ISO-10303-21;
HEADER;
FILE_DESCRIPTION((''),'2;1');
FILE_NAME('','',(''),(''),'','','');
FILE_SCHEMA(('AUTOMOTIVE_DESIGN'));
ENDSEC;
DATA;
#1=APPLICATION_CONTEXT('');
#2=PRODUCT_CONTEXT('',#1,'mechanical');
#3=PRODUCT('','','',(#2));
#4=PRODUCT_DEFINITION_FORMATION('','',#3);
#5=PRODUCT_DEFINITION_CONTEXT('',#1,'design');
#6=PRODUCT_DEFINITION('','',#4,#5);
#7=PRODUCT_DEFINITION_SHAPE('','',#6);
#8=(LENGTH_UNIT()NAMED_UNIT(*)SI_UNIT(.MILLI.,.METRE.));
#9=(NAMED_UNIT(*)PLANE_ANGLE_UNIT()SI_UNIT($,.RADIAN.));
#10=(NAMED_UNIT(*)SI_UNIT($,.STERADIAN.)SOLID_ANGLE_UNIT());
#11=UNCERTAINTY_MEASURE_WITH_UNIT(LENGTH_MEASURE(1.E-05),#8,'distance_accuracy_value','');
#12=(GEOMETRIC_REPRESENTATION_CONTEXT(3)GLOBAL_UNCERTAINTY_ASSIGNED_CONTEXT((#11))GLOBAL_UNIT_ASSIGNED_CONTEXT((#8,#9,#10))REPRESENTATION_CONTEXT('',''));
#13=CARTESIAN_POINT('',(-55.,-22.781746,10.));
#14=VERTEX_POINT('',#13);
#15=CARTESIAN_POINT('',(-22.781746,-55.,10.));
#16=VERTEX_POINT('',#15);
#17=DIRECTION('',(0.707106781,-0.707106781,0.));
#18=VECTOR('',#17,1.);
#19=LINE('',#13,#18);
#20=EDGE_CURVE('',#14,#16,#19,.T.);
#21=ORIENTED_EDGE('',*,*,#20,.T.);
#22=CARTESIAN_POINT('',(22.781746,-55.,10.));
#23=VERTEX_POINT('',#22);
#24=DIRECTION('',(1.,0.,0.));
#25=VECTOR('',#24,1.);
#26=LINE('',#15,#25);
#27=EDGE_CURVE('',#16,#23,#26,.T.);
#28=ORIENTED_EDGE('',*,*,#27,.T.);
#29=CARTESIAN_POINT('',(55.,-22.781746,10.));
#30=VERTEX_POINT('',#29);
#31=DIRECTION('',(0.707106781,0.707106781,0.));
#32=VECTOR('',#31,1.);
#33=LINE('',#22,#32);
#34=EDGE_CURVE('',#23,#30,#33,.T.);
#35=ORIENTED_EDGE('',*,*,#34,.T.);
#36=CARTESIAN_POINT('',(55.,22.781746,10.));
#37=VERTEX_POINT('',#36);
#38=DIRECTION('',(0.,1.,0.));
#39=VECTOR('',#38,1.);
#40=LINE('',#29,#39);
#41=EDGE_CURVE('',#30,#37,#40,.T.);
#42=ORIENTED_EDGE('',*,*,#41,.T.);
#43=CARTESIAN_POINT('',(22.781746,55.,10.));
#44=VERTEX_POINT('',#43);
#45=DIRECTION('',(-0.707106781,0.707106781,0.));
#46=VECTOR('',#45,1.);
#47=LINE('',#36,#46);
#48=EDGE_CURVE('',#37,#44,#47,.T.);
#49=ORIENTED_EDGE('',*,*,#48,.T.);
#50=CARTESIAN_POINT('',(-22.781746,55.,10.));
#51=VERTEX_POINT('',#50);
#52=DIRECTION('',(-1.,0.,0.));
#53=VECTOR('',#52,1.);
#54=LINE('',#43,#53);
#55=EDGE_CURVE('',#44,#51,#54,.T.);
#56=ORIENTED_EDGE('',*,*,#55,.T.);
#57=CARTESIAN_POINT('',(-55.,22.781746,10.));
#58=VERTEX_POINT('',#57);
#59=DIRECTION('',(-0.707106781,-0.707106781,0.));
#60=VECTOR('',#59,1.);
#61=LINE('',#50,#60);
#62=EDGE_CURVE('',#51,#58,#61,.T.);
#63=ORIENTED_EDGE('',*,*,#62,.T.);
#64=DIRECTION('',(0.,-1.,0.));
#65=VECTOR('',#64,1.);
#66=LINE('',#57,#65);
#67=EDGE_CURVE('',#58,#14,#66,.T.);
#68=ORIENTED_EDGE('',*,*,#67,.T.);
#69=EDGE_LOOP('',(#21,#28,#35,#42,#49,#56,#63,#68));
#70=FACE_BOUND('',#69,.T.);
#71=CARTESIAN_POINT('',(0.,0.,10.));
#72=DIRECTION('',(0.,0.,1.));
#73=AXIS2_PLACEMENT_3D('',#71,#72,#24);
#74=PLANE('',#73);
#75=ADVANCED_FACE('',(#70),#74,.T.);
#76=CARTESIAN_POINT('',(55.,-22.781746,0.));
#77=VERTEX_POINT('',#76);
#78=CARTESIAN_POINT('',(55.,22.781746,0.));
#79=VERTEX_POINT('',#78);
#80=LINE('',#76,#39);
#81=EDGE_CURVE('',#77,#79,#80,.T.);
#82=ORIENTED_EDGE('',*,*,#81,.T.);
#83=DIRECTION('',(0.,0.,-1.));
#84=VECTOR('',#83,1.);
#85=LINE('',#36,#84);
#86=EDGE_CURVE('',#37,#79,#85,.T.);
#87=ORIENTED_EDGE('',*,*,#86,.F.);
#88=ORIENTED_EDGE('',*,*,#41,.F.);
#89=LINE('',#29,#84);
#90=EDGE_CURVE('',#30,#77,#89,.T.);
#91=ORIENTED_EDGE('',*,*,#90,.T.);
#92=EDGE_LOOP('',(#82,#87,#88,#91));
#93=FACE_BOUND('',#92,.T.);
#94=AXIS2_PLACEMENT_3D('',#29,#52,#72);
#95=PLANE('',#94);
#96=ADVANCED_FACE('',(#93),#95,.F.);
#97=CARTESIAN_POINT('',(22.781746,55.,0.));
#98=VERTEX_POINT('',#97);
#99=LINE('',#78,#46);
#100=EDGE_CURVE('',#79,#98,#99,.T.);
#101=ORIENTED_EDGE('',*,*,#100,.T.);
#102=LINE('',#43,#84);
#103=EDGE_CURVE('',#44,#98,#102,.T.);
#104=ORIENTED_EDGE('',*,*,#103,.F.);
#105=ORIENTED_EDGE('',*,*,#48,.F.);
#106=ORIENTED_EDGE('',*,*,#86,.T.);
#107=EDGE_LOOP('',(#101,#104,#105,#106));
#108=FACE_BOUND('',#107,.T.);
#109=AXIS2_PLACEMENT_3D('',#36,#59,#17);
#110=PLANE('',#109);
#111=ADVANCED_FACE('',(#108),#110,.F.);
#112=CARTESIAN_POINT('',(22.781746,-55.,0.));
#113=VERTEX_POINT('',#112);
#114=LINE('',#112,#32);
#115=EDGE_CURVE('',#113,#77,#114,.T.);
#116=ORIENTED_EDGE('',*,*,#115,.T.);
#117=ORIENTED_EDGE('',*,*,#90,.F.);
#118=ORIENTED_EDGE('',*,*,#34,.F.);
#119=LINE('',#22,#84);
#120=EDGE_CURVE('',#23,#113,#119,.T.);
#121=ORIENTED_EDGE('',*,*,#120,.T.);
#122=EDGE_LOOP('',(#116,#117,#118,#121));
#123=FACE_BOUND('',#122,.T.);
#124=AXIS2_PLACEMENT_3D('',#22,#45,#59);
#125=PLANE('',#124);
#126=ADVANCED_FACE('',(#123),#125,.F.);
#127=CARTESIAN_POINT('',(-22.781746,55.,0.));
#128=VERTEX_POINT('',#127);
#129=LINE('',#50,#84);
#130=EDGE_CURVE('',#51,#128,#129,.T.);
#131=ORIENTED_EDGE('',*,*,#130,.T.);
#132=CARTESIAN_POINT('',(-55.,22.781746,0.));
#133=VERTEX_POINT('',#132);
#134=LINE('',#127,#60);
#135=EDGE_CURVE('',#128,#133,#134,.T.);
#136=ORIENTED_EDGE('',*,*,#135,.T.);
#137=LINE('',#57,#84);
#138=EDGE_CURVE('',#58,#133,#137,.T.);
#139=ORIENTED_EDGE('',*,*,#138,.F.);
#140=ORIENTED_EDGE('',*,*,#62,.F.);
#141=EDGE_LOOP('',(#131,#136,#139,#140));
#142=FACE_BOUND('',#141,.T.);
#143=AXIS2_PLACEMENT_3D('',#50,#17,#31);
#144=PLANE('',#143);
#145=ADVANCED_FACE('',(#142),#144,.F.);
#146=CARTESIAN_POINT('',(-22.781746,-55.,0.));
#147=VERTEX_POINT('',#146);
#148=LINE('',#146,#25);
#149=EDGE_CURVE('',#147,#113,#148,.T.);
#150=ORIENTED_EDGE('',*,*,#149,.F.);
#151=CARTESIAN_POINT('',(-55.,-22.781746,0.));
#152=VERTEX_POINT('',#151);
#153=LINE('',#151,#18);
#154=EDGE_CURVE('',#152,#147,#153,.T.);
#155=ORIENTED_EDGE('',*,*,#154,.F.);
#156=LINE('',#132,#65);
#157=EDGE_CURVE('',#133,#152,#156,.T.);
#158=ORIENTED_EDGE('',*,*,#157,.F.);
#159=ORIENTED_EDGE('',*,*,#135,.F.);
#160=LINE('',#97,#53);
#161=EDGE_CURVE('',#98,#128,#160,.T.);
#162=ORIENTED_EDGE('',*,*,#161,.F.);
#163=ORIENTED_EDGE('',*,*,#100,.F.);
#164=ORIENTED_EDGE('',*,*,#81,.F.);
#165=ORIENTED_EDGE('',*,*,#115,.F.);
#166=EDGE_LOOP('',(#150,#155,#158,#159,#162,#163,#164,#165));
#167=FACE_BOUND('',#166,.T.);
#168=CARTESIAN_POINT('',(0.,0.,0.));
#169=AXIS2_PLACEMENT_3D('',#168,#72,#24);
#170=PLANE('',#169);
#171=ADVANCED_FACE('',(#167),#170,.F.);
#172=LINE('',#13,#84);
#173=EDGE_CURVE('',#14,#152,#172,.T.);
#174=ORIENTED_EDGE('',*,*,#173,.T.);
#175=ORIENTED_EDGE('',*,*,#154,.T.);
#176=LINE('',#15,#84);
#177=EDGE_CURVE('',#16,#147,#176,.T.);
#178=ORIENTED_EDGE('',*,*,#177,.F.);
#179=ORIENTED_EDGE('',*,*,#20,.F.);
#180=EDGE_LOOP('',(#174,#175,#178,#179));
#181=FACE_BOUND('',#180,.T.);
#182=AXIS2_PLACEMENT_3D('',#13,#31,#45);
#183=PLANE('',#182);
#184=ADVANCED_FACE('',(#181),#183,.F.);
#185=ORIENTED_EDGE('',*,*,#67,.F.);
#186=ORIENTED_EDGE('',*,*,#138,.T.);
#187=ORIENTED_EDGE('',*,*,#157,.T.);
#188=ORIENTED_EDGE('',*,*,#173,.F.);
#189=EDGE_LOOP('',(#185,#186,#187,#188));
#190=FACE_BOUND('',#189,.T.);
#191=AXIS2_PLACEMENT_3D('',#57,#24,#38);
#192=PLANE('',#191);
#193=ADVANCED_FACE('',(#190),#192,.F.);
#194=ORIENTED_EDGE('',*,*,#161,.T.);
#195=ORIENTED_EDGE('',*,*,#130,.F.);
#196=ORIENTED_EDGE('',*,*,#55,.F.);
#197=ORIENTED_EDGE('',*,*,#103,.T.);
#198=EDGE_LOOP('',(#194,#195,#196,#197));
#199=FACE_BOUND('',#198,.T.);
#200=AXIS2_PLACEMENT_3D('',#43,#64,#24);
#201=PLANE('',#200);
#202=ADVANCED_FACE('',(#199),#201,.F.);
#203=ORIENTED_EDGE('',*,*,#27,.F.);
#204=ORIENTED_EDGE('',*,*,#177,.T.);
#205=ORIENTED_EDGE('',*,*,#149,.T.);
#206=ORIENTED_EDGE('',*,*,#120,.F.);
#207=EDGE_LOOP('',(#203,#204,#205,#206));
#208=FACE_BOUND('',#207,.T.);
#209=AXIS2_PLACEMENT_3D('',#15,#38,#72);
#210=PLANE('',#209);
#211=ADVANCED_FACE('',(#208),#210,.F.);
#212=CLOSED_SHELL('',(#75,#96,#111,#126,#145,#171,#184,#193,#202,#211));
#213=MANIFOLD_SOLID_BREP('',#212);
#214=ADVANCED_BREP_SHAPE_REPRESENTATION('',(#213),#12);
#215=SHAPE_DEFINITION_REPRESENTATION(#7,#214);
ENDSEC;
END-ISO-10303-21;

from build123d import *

# Parameters (mm, degrees)
BOSS_EXTRUDE1_DEPTH = 10


with BuildPart() as part:
    # Sketch1 → Boss-Extrude1 (new body)
    with BuildSketch(Plane.XY):
        Polygon((55, 22.781745931), (22.781745931, 55), (-22.781745931, 55), (-55, 22.781745931), (-55, -22.781745931), (-22.781745931, -55), (22.781745931, -55), (55, -22.781745931), align=None)
    extrude(amount=BOSS_EXTRUDE1_DEPTH)


solid = part.part
